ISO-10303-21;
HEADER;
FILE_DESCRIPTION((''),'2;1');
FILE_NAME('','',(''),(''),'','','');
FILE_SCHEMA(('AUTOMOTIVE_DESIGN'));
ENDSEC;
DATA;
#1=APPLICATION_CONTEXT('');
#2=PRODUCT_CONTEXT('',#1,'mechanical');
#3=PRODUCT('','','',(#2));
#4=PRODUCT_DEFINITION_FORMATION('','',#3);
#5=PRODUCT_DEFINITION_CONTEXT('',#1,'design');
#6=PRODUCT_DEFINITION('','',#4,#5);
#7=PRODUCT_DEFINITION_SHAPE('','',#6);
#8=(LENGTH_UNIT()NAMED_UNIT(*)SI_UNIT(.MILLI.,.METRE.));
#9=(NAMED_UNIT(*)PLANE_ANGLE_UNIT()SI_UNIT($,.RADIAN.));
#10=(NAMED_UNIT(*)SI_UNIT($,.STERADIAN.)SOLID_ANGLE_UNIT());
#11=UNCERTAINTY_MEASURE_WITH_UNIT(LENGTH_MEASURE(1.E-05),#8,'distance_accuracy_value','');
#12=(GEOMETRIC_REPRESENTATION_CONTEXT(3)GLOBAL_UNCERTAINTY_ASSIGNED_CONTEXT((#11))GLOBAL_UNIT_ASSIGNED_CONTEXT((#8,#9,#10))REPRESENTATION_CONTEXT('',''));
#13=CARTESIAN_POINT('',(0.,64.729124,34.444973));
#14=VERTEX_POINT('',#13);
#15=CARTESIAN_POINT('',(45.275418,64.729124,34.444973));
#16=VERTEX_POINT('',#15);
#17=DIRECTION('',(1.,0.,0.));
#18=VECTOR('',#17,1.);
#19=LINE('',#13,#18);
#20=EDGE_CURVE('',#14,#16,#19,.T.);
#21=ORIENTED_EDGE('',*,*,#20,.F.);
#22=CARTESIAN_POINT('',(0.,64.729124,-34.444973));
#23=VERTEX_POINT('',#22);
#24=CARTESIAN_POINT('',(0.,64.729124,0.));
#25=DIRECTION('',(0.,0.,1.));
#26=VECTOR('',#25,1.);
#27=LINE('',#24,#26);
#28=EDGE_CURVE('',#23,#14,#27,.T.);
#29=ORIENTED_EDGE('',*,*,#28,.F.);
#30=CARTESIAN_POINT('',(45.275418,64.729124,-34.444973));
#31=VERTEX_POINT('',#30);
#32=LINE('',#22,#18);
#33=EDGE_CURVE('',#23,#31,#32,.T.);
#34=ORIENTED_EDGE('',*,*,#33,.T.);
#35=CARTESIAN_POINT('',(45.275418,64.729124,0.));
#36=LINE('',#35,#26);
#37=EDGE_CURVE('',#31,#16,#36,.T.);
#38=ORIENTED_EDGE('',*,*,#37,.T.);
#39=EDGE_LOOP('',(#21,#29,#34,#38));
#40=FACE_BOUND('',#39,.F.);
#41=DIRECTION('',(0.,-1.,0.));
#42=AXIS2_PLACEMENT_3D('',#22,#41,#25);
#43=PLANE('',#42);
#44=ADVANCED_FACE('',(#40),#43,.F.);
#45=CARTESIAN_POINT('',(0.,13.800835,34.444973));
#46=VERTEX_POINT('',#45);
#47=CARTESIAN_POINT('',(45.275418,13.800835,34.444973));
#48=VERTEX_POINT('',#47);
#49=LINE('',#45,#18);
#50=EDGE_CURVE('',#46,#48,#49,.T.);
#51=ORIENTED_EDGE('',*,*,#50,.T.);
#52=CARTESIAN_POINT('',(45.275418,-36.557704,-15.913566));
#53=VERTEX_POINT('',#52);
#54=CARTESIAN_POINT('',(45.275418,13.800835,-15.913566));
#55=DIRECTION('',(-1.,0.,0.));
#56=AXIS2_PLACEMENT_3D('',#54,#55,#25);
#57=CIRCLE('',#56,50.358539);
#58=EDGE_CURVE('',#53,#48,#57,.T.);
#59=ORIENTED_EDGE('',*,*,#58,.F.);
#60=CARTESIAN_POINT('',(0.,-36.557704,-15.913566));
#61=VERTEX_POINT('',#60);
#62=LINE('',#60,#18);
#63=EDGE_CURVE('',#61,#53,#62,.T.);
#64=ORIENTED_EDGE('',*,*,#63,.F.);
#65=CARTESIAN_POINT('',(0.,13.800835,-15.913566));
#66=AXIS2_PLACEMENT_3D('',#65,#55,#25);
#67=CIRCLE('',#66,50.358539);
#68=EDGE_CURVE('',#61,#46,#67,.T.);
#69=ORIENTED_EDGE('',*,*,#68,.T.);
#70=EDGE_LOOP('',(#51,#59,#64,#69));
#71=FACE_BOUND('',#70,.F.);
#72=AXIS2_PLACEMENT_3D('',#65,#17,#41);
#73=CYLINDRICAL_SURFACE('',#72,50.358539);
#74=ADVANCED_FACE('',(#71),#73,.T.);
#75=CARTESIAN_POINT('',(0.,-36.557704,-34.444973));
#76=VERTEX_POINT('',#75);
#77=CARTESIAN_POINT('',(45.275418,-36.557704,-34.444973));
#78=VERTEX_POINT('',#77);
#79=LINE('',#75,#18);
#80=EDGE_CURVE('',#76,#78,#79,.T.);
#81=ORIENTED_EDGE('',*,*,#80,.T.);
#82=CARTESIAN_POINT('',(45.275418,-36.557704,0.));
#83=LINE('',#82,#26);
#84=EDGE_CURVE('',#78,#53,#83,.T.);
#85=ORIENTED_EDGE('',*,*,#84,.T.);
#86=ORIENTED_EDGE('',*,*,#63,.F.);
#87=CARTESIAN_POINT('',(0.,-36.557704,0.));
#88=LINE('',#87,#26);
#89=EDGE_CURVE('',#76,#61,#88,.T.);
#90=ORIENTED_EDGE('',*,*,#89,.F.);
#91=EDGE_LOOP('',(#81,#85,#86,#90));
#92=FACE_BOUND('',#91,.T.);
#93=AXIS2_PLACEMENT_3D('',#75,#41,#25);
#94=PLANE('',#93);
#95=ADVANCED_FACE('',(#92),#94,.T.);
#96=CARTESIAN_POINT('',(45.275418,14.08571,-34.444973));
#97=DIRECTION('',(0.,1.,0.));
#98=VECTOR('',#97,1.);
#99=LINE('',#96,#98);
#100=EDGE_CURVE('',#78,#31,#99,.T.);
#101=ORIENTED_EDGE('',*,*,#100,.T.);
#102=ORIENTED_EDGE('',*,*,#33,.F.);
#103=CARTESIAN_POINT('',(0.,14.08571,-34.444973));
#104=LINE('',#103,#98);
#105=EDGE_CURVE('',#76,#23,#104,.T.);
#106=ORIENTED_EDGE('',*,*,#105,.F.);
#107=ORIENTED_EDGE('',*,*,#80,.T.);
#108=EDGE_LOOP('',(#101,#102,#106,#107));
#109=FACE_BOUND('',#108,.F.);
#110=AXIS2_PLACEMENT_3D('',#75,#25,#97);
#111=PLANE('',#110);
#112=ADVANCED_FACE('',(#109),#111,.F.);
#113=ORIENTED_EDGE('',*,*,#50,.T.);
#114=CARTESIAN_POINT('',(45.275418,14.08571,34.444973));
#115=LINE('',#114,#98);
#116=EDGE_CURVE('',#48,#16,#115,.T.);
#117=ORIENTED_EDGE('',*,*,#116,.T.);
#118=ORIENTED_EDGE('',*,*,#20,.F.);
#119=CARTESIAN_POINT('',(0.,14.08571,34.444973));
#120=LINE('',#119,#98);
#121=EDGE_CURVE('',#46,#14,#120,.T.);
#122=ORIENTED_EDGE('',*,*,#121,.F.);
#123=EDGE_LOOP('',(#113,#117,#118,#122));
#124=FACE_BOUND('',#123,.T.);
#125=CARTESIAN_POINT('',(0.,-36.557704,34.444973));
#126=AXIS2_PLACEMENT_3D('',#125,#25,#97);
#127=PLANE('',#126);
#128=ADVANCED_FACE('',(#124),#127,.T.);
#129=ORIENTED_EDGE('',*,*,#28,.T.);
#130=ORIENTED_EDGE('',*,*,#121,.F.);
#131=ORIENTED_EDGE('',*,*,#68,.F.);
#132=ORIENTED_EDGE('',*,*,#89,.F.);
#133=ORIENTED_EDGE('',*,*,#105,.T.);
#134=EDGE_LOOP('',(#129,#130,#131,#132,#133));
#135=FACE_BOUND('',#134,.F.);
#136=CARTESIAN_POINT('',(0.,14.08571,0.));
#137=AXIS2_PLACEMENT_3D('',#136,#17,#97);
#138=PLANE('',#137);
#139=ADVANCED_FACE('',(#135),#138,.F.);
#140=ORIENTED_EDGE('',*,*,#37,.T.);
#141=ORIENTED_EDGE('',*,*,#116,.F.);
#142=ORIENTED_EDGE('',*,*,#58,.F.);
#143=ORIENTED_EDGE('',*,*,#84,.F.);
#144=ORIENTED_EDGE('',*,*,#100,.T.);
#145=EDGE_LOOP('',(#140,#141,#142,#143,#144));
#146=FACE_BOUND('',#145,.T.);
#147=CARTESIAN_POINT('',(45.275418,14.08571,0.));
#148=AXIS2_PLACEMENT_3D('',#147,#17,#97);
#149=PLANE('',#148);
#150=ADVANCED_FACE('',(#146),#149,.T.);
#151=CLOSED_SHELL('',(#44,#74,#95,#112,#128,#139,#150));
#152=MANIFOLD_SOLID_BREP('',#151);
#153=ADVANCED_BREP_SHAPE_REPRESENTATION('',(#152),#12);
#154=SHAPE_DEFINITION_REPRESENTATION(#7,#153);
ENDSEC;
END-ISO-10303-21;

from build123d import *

# Parameters (mm, degrees)
F0_W     = 101.286828
F0_H     = 68.889946
F1_DEPTH = 45.275418
F2_R     = 50.358539


with BuildPart() as f1:
    # F0 (on Right) → F1 (new body)
    with BuildSketch(Plane.YZ):
        with Locations((14.08571, 0)):
            Rectangle(F0_W, F0_H)
    extrude(amount=F1_DEPTH)

    # F2
    f2_edges = [f1.edges().sort_by_distance(p)[0] for p in [
        (22.637709, -36.557704, 34.444973),
    ]]
    fillet(f2_edges, radius=F2_R)


solid = f1.part
